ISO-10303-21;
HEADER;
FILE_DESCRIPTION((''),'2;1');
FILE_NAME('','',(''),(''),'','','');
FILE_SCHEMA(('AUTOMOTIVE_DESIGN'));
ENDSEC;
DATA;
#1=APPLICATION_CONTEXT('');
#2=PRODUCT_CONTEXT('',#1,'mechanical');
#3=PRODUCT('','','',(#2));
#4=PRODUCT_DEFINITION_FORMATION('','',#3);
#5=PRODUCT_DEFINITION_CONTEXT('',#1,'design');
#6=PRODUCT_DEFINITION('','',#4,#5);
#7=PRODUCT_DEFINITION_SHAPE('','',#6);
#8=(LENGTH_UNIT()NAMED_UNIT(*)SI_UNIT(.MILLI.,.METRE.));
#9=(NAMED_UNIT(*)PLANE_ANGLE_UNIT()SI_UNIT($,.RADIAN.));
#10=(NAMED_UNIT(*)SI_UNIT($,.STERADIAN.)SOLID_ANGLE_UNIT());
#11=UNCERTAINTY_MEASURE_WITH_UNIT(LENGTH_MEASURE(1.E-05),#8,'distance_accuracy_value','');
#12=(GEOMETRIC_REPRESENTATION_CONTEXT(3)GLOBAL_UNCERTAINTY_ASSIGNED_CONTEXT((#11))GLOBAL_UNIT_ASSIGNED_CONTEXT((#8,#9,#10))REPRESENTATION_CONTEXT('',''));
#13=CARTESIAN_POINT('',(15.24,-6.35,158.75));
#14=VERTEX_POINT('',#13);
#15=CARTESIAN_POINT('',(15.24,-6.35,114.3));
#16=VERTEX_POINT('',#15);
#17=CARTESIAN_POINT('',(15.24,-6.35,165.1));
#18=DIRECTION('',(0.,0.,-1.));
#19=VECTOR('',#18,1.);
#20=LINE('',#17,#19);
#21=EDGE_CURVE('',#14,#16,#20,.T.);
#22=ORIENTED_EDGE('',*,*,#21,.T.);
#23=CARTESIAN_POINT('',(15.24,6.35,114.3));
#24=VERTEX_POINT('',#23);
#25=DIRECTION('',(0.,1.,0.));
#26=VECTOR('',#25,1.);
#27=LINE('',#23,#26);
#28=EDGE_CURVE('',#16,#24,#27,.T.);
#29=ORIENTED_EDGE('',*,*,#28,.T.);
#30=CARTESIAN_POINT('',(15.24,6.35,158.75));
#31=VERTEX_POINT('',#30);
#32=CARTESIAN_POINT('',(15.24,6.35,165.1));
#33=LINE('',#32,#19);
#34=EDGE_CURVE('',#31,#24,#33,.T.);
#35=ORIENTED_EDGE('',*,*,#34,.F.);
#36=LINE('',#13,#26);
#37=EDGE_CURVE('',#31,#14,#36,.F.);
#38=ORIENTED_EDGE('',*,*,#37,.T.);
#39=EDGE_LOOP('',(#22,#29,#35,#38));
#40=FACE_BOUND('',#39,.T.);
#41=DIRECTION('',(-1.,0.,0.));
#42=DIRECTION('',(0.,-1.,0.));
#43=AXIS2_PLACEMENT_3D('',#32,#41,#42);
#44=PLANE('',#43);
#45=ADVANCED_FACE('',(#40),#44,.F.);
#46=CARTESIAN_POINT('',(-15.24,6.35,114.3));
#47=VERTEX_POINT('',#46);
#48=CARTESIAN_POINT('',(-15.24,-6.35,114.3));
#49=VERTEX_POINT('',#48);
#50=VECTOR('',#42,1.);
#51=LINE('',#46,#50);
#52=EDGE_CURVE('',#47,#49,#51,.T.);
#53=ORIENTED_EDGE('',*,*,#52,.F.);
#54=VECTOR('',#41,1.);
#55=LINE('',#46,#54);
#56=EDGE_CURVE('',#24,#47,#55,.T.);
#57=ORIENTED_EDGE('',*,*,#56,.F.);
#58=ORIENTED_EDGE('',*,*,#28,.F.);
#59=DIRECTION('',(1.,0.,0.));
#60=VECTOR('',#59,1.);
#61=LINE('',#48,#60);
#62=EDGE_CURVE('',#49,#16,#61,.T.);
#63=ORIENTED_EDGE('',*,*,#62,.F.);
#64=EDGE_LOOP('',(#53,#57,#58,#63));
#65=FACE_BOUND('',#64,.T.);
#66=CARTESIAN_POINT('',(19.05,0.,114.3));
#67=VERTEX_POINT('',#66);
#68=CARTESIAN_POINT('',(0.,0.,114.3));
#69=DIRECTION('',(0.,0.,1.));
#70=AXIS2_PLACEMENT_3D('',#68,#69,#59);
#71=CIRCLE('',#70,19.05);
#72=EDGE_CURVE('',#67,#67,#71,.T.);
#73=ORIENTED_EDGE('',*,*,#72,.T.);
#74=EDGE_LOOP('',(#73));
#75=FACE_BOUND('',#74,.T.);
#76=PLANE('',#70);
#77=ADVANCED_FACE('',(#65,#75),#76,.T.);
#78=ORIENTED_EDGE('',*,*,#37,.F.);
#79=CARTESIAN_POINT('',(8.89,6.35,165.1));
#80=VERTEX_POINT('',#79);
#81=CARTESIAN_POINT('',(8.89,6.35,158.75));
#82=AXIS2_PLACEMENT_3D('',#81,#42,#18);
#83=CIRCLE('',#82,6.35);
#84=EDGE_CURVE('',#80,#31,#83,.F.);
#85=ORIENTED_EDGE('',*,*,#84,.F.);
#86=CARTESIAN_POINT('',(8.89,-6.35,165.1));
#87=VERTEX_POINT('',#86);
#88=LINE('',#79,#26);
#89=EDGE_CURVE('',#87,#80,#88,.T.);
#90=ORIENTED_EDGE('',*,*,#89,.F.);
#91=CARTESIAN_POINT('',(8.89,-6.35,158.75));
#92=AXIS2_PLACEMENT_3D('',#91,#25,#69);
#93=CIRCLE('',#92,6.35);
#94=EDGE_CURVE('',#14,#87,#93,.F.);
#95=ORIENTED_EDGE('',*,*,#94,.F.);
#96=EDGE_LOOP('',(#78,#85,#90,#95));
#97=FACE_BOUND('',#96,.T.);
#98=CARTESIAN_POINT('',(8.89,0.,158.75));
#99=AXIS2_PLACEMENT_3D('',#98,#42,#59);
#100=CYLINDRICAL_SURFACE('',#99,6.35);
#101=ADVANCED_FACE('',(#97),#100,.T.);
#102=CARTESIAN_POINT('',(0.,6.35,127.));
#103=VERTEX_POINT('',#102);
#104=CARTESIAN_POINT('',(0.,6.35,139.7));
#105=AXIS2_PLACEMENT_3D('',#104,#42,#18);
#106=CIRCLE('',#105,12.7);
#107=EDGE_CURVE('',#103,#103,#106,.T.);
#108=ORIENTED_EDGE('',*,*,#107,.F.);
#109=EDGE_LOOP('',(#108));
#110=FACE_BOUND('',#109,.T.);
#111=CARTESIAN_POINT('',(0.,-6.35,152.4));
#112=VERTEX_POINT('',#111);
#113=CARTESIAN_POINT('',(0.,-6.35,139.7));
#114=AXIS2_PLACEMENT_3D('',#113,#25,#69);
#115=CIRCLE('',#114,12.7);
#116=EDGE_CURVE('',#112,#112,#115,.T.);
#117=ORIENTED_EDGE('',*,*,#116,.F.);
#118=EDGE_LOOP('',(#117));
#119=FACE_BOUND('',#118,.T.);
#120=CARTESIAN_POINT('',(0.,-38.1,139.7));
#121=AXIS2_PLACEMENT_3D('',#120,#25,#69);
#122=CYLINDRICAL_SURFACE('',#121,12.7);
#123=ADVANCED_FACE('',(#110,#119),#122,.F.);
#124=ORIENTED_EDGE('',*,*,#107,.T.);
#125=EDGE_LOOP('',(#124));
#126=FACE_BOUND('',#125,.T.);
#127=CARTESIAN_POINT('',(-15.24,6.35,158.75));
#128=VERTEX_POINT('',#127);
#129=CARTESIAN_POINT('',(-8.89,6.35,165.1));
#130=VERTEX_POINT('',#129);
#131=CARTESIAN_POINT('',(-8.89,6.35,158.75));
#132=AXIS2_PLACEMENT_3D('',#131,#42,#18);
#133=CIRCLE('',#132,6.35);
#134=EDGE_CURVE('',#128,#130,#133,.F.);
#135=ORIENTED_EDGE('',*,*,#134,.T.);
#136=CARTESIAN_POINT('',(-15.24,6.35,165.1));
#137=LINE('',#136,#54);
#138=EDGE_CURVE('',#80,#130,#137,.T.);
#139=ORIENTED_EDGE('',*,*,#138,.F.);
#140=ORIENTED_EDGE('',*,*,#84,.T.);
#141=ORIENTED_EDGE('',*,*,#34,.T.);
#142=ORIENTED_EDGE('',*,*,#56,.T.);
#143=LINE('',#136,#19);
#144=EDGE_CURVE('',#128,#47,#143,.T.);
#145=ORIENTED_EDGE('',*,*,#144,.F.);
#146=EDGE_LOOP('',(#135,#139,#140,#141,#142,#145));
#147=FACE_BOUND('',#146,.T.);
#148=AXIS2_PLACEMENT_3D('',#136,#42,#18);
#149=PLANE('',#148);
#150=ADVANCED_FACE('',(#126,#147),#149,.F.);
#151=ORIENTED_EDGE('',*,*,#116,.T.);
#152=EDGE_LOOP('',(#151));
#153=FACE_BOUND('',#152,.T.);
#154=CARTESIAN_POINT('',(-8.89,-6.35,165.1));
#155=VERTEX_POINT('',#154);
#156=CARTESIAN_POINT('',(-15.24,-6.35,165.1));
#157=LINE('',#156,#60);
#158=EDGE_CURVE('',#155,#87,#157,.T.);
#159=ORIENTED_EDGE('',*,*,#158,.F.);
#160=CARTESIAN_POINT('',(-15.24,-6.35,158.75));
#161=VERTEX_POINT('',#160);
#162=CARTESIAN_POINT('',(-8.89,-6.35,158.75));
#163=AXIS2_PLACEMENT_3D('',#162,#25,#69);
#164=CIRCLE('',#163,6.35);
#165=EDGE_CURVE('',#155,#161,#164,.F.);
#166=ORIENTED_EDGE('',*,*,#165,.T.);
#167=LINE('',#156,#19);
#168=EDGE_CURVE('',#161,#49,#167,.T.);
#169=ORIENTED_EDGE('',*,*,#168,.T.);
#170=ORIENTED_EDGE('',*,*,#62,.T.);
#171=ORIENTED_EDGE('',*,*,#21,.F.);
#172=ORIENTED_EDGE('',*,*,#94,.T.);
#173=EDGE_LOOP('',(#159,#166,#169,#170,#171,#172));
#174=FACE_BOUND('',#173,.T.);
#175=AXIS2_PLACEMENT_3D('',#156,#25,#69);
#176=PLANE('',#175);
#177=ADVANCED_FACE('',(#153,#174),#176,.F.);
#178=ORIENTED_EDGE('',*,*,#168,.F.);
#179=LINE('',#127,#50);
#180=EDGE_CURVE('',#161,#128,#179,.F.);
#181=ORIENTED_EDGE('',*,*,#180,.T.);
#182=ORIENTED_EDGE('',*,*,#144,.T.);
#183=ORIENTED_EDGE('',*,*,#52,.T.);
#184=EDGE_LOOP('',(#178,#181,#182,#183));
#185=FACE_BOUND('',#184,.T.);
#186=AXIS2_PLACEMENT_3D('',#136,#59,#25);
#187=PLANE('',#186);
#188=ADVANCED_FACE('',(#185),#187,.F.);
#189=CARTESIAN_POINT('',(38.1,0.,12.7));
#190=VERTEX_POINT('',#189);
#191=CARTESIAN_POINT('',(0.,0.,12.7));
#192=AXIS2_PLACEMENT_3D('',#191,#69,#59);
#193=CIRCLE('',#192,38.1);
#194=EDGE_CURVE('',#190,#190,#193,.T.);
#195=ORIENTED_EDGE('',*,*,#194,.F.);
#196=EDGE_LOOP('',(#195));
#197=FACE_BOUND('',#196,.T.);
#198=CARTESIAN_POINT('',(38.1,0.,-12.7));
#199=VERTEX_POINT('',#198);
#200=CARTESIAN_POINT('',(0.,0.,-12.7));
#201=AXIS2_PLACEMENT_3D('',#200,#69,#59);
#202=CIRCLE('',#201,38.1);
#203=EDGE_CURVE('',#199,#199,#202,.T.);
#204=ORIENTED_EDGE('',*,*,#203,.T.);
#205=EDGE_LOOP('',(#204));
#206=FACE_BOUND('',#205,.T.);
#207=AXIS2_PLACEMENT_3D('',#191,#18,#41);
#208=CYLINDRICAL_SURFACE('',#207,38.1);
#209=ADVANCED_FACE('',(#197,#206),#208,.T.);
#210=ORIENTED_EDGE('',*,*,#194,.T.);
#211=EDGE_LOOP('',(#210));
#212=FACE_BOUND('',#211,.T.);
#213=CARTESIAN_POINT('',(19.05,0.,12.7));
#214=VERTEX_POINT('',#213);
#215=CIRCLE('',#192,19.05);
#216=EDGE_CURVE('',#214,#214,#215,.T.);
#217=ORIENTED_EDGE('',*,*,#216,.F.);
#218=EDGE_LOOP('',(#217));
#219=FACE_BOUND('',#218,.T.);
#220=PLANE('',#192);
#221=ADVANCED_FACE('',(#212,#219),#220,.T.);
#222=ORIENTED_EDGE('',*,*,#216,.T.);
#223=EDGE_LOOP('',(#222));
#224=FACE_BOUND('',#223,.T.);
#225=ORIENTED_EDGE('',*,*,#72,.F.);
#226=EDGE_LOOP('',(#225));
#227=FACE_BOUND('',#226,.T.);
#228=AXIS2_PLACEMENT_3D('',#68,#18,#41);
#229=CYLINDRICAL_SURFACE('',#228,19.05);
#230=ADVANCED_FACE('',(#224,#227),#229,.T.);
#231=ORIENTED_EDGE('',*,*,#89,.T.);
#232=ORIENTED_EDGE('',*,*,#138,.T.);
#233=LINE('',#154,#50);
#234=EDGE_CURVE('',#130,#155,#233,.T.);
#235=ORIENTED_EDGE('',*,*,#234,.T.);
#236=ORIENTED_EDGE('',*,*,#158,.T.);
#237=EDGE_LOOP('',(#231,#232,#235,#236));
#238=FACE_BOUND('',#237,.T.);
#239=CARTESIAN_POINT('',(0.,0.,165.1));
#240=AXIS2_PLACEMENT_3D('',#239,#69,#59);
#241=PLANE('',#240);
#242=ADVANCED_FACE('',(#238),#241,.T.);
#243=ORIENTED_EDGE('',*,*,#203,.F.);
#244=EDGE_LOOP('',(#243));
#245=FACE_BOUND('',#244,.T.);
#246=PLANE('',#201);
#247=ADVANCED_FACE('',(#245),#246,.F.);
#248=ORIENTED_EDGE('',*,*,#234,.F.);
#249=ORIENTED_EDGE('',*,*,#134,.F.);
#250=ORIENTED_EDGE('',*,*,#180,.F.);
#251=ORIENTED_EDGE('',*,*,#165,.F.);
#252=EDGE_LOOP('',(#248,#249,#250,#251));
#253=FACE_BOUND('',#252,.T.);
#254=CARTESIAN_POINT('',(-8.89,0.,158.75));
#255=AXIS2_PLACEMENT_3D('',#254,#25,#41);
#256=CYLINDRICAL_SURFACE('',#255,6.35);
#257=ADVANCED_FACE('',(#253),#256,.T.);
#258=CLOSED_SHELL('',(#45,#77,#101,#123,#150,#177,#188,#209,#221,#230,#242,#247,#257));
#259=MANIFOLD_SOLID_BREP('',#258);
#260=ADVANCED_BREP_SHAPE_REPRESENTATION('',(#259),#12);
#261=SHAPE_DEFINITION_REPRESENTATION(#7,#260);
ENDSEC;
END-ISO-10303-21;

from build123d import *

# Parameters (mm, degrees)
SKETCH2_R               = 38.1
BOSS_EXTRUDE1_DEPTH     = 12.7
SKETCH3_R               = 19.05
BOSS_EXTRUDE2_DEPTH     = 101.6
SKETCH4_W               = 30.48
SKETCH4_H               = 12.7
BOSS_EXTRUDE3_DEPTH     = 50.8
FILLET1_R               = 6.35
SKETCH5_R               = 12.7
CUT_EXTRUDE1_DEPTH      = 32.75
CUT_EXTRUDE1_DEPTH_BACK = 45.45


with BuildPart() as part:
    # Sketch2 → Boss-Extrude1 (new body, symmetric)
    with BuildSketch(Plane.XY):
        Circle(SKETCH2_R)
    extrude(amount=BOSS_EXTRUDE1_DEPTH, both=True)

    # Sketch3 → Boss-Extrude2 (add)
    with BuildSketch(Plane.XY.offset(12.7)):
        Circle(SKETCH3_R)
    extrude(amount=BOSS_EXTRUDE2_DEPTH)

    # Sketch4 → Boss-Extrude3 (add)
    with BuildSketch(Plane.XY.offset(114.3)):
        Rectangle(SKETCH4_W, SKETCH4_H)
    extrude(amount=BOSS_EXTRUDE3_DEPTH)

    # Fillet1
    fillet1_edges = [part.edges().sort_by_distance(p)[0] for p in [
        (15.24, 0, 165.1),
        (-15.24, 0, 165.1),
    ]]
    fillet(fillet1_edges, radius=FILLET1_R)

    # Sketch5 → Cut-Extrude1 (cut, two sides)
    with BuildSketch(Plane(origin=(0, 6.35, 0), x_dir=(1, 0, 0), z_dir=(0, 1, 0))) as cut_extrude1_sk:
        with Locations((0, -139.7)):
            Circle(SKETCH5_R)
    extrude(amount=CUT_EXTRUDE1_DEPTH, mode=Mode.SUBTRACT)
    extrude(cut_extrude1_sk.sketch, amount=-CUT_EXTRUDE1_DEPTH_BACK, mode=Mode.SUBTRACT)


solid = part.part
